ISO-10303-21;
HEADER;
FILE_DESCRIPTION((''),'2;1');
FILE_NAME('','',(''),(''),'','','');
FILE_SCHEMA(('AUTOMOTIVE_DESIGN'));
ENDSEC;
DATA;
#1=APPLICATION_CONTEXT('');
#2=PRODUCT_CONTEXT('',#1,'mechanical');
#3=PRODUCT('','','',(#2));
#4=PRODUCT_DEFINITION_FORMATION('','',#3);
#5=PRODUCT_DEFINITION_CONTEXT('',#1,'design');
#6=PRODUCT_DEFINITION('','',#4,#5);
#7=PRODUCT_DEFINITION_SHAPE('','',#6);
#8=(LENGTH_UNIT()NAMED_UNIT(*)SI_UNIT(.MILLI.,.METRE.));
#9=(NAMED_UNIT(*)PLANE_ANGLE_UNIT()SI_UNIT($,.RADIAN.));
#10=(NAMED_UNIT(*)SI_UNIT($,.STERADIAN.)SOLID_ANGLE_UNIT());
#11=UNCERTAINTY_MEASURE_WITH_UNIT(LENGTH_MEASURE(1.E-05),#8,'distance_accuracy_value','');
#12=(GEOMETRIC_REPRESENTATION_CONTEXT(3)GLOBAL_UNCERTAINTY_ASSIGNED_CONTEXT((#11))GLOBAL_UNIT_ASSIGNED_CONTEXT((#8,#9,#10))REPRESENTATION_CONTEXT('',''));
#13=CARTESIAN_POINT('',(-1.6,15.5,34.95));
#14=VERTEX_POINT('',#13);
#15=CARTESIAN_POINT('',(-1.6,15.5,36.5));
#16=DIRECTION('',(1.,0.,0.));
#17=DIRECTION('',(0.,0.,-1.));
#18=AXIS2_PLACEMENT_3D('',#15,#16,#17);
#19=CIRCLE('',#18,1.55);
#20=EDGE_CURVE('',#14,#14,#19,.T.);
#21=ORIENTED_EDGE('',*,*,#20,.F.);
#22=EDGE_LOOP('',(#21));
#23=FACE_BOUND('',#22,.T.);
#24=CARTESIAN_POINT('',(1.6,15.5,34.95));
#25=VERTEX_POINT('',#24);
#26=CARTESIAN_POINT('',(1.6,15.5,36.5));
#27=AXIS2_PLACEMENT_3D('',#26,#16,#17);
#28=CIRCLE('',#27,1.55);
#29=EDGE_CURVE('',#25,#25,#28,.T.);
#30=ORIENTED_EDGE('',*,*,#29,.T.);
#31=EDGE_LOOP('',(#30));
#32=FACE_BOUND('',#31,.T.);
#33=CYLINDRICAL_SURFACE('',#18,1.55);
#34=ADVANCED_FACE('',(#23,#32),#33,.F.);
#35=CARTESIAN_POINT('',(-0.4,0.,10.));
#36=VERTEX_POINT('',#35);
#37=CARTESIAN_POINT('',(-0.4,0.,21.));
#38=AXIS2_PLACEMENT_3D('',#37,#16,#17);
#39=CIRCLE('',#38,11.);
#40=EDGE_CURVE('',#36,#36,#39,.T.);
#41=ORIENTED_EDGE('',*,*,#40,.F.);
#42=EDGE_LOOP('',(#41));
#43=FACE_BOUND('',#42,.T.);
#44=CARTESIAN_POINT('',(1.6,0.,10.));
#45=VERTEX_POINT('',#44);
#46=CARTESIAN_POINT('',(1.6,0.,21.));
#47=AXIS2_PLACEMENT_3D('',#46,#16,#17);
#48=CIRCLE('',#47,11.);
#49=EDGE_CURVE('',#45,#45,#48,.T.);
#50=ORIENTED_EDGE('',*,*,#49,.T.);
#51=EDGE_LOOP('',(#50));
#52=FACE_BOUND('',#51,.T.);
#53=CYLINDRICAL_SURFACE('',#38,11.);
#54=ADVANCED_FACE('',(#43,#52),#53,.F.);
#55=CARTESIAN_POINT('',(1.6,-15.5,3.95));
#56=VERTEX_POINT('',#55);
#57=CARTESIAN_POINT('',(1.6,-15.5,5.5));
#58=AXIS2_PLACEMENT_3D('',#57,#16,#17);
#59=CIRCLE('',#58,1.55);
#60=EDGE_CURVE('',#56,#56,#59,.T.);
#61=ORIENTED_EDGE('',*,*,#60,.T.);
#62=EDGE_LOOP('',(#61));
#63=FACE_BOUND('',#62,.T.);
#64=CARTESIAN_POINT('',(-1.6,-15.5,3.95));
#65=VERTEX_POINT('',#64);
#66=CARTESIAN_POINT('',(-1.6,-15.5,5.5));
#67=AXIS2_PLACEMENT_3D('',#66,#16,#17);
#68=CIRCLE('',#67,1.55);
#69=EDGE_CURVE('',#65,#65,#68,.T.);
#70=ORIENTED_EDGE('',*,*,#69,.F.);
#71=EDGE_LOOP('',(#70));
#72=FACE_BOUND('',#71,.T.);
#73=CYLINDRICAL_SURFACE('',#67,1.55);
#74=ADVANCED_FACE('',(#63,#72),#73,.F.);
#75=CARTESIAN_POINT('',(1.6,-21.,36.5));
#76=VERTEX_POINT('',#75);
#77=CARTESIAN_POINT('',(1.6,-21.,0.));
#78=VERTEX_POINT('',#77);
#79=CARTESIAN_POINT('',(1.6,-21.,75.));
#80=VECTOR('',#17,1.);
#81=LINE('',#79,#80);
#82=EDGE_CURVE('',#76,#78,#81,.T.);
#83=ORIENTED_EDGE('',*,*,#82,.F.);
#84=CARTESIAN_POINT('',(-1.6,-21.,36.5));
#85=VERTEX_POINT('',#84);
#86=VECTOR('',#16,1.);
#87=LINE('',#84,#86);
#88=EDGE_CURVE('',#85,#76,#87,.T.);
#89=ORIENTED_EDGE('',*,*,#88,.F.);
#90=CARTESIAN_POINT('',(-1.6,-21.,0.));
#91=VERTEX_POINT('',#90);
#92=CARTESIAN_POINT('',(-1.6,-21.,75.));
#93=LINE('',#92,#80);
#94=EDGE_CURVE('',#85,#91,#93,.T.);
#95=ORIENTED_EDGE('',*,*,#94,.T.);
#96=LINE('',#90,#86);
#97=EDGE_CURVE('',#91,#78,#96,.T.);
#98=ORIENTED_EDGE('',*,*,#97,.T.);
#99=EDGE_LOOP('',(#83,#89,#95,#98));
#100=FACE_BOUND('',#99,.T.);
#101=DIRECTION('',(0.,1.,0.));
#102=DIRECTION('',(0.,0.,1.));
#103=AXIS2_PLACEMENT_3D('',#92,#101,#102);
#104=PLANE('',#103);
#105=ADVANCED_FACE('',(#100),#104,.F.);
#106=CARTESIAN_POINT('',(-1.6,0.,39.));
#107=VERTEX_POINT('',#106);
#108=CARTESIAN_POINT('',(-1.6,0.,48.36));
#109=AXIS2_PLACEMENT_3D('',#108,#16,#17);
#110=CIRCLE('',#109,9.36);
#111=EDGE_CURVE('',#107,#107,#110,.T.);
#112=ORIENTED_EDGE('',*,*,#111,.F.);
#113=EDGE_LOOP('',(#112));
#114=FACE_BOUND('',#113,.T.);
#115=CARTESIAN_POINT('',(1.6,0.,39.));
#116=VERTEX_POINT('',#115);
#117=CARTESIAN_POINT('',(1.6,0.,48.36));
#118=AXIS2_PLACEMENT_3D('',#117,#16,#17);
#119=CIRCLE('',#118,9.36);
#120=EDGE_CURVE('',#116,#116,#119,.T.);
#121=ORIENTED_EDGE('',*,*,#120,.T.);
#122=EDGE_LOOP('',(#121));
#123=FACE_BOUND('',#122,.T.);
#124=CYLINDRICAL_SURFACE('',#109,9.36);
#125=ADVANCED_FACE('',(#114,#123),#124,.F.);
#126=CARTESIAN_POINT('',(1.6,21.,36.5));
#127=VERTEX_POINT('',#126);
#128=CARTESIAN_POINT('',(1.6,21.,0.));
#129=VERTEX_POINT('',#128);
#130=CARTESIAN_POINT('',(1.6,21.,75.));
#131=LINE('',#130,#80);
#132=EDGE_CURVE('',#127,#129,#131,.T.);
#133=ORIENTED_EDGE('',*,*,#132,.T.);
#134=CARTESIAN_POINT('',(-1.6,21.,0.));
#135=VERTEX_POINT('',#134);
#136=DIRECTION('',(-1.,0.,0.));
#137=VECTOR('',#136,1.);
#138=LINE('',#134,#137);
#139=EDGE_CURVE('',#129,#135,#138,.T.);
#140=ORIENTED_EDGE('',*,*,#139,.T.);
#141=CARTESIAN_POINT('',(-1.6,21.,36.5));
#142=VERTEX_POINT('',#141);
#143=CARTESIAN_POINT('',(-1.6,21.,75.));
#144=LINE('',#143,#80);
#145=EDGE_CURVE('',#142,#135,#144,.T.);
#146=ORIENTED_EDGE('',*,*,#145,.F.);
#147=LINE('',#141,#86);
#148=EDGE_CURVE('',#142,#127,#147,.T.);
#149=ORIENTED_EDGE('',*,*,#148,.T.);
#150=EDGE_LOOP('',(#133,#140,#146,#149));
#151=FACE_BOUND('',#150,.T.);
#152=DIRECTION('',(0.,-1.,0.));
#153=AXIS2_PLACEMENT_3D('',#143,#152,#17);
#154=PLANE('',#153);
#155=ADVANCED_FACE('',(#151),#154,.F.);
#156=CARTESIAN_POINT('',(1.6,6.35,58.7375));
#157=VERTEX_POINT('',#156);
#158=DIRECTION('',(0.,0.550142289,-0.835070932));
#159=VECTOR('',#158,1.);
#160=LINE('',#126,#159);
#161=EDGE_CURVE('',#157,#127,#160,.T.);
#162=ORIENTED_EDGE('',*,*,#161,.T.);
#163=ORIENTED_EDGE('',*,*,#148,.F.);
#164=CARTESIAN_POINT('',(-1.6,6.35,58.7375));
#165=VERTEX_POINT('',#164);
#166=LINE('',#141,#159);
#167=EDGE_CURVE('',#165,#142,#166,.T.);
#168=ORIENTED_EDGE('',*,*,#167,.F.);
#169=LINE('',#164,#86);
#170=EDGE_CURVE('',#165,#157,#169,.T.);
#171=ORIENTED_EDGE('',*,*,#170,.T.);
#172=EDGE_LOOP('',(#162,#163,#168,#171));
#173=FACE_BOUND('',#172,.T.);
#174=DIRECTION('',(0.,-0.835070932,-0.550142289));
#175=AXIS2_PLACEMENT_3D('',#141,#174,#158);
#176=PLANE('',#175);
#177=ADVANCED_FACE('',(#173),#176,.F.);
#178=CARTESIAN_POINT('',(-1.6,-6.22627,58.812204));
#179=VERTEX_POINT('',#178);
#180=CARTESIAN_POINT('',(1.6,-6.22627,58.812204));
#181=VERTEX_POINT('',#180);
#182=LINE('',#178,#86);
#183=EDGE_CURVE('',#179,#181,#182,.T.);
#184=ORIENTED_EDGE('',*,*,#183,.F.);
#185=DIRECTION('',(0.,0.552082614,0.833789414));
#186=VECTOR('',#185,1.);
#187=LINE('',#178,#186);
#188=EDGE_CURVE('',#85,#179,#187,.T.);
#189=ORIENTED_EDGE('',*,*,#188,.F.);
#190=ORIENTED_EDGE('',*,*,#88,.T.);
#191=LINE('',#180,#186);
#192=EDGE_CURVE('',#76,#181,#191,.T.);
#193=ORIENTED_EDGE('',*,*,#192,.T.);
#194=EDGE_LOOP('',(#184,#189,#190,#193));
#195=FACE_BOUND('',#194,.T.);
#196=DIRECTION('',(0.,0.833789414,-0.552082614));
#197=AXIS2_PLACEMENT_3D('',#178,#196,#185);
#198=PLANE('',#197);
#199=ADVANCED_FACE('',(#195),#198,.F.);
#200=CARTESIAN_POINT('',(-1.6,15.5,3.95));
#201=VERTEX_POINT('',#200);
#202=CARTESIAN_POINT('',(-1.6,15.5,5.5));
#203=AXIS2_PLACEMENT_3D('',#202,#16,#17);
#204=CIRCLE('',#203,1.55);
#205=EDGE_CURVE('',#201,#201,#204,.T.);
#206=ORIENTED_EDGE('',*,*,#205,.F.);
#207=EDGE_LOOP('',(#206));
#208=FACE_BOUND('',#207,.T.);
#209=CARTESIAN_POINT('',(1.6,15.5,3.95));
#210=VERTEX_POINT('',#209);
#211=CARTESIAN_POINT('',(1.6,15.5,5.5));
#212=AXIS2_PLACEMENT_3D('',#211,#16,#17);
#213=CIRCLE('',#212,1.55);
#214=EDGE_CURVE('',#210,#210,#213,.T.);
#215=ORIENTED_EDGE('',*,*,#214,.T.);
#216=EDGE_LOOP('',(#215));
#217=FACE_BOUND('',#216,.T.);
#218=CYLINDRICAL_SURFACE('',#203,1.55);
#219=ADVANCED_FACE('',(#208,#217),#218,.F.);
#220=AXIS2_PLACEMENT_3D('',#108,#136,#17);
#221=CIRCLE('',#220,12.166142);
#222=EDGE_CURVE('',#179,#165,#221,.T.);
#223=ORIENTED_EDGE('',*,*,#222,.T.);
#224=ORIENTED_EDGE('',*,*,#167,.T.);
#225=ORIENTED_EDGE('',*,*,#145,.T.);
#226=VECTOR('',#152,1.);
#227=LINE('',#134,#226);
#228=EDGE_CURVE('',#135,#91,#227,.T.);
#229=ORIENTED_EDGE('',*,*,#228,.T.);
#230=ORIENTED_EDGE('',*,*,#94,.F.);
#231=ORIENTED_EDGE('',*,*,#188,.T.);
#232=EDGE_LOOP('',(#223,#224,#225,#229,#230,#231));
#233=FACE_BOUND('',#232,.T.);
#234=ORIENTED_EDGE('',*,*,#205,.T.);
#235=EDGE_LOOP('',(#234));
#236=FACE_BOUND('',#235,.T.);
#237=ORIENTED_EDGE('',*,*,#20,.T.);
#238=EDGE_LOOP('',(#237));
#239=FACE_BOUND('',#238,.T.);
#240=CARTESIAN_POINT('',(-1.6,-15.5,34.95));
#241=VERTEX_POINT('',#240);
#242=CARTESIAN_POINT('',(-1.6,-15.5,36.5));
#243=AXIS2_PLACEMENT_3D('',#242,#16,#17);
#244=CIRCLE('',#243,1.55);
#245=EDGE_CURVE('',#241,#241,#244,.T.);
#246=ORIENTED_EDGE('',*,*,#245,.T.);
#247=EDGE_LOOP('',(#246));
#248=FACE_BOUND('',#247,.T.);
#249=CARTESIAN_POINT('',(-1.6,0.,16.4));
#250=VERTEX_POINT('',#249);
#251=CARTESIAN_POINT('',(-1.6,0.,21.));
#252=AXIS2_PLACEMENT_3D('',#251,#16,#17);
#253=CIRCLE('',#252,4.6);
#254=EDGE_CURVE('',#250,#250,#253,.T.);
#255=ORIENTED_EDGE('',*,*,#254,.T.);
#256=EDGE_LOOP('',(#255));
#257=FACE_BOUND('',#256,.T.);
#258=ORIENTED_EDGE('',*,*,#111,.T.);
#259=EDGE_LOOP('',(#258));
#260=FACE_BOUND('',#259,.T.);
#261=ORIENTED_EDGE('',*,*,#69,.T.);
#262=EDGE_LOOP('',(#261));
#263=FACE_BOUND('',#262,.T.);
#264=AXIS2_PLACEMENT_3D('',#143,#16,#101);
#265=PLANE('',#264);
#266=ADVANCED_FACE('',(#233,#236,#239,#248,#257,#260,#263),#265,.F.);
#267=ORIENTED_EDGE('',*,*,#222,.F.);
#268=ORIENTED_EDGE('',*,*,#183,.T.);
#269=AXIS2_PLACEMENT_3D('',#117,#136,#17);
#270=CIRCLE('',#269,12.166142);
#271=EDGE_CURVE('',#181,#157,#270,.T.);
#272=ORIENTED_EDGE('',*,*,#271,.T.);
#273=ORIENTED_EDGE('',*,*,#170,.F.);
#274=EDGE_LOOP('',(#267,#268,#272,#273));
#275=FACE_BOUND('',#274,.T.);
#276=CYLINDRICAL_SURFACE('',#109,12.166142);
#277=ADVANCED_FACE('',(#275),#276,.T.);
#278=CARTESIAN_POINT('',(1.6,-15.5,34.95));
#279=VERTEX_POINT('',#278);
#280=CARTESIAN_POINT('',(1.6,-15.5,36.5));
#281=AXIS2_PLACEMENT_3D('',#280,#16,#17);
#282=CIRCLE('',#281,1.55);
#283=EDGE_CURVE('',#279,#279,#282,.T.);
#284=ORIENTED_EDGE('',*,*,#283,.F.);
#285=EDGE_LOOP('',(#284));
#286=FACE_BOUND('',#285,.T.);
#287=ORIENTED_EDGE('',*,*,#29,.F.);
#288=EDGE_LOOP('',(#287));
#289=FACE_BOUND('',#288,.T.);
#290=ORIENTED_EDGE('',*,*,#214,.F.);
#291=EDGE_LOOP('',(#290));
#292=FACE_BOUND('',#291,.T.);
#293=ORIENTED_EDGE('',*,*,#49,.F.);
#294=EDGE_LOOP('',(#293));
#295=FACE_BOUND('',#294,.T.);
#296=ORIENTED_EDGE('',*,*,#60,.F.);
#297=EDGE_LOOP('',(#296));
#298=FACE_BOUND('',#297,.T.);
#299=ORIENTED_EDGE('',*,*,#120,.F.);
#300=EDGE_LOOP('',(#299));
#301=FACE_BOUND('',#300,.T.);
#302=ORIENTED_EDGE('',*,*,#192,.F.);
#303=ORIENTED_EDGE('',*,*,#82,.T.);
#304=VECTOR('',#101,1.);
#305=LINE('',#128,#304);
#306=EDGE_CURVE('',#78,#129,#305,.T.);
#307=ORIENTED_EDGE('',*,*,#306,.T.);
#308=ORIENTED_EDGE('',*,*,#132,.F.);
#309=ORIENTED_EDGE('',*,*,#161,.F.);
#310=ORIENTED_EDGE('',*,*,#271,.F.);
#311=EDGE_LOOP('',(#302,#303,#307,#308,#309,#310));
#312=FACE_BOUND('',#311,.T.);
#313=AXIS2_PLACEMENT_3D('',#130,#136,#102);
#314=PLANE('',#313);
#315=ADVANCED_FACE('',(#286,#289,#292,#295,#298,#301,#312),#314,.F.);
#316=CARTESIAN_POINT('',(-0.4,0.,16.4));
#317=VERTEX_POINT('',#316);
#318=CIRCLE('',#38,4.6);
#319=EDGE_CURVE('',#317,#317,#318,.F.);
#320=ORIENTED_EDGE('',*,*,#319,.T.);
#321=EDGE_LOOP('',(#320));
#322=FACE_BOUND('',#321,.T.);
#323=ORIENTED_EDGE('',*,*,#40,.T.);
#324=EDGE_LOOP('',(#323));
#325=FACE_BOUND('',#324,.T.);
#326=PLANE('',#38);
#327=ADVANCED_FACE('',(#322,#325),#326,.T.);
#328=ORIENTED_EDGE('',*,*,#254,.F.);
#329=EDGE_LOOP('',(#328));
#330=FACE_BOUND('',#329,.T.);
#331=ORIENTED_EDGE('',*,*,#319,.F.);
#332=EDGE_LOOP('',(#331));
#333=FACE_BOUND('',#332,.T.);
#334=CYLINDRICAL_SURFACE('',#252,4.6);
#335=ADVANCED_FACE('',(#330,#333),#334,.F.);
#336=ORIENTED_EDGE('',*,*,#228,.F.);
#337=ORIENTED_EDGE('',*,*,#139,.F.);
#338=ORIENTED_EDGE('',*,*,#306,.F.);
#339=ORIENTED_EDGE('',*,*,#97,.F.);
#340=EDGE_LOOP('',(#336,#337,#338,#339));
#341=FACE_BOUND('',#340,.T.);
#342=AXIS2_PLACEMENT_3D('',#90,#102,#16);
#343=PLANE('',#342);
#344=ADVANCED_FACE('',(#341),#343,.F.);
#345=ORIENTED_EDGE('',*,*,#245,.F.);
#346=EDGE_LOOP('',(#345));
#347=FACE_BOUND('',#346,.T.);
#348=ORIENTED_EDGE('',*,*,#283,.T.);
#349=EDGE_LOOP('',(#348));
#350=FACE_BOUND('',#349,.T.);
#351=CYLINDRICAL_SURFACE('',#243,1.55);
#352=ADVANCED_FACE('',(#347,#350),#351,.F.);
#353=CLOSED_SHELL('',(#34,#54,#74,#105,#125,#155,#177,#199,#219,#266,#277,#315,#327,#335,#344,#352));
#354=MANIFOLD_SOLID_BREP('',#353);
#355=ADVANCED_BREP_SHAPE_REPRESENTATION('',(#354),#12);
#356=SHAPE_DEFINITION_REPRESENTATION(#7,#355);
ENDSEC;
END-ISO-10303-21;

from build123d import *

# Parameters (mm, degrees)
SKETCH1_W               = 3.2
SKETCH1_H               = 42
EXTRUDE1_DEPTH          = 75
CUT_EXTRUDE1_DEPTH      = 78.900962767
CUT_EXTRUDE1_DEPTH_BACK = 78.900962767
SKETCH2_R               = 1.55
SKETCH2_R_2             = 9.36
SKETCH2_R_3             = 4.6
SKETCH3_R               = 11
CUT_EXTRUDE2_DEPTH      = 2


with BuildPart() as part:
    # Sketch1 → Extrude1 (new body)
    with BuildSketch(Plane.XY):
        Rectangle(SKETCH1_W, SKETCH1_H)
    extrude(amount=EXTRUDE1_DEPTH)

    # Sketch2 → Cut-Extrude1 (cut, two sides: drawn at the far end of the back side and taken through both)
    with BuildSketch(Plane(origin=(0, 0, 0), x_dir=(0, 0, -1), z_dir=(1, 0, 0)).offset(-CUT_EXTRUDE1_DEPTH_BACK)):
        with Locations((-5.5, 15.5)):
            Circle(SKETCH2_R)
        with Locations((-5.5, -15.5)):
            Circle(SKETCH2_R)
        with Locations((-36.5, 15.5)):
            Circle(SKETCH2_R)
        with Locations((-36.5, -15.5)):
            Circle(SKETCH2_R)
        with Locations((-48.36, 0)):
            Circle(SKETCH2_R_2)
        with Locations((-21, 0)):
            Circle(SKETCH2_R_3)
        with BuildLine():
            Line((-36.5, 21), (-58.7375, 6.35))
            ThreePointArc((-58.7375, 6.35), (-60.525927164, 0.072266755), (-58.812204228, -6.226269591))
            Line((-58.812204228, -6.226269591), (-36.5, -21))
            Line((-36.5, -21), (-75, -21))
            Line((-75, -21), (-75, 21))
            Line((-75, 21), (-36.5, 21))
        make_face()
    extrude(amount=CUT_EXTRUDE1_DEPTH + CUT_EXTRUDE1_DEPTH_BACK, mode=Mode.SUBTRACT)

    # Sketch3 → Cut-Extrude2 (cut)
    with BuildSketch(Plane(origin=(1.6, 0, 0), x_dir=(0, 0, -1), z_dir=(1, 0, 0))):
        with Locations((-21, 0)):
            Circle(SKETCH3_R)
    extrude(amount=-CUT_EXTRUDE2_DEPTH, mode=Mode.SUBTRACT)


solid = part.part
